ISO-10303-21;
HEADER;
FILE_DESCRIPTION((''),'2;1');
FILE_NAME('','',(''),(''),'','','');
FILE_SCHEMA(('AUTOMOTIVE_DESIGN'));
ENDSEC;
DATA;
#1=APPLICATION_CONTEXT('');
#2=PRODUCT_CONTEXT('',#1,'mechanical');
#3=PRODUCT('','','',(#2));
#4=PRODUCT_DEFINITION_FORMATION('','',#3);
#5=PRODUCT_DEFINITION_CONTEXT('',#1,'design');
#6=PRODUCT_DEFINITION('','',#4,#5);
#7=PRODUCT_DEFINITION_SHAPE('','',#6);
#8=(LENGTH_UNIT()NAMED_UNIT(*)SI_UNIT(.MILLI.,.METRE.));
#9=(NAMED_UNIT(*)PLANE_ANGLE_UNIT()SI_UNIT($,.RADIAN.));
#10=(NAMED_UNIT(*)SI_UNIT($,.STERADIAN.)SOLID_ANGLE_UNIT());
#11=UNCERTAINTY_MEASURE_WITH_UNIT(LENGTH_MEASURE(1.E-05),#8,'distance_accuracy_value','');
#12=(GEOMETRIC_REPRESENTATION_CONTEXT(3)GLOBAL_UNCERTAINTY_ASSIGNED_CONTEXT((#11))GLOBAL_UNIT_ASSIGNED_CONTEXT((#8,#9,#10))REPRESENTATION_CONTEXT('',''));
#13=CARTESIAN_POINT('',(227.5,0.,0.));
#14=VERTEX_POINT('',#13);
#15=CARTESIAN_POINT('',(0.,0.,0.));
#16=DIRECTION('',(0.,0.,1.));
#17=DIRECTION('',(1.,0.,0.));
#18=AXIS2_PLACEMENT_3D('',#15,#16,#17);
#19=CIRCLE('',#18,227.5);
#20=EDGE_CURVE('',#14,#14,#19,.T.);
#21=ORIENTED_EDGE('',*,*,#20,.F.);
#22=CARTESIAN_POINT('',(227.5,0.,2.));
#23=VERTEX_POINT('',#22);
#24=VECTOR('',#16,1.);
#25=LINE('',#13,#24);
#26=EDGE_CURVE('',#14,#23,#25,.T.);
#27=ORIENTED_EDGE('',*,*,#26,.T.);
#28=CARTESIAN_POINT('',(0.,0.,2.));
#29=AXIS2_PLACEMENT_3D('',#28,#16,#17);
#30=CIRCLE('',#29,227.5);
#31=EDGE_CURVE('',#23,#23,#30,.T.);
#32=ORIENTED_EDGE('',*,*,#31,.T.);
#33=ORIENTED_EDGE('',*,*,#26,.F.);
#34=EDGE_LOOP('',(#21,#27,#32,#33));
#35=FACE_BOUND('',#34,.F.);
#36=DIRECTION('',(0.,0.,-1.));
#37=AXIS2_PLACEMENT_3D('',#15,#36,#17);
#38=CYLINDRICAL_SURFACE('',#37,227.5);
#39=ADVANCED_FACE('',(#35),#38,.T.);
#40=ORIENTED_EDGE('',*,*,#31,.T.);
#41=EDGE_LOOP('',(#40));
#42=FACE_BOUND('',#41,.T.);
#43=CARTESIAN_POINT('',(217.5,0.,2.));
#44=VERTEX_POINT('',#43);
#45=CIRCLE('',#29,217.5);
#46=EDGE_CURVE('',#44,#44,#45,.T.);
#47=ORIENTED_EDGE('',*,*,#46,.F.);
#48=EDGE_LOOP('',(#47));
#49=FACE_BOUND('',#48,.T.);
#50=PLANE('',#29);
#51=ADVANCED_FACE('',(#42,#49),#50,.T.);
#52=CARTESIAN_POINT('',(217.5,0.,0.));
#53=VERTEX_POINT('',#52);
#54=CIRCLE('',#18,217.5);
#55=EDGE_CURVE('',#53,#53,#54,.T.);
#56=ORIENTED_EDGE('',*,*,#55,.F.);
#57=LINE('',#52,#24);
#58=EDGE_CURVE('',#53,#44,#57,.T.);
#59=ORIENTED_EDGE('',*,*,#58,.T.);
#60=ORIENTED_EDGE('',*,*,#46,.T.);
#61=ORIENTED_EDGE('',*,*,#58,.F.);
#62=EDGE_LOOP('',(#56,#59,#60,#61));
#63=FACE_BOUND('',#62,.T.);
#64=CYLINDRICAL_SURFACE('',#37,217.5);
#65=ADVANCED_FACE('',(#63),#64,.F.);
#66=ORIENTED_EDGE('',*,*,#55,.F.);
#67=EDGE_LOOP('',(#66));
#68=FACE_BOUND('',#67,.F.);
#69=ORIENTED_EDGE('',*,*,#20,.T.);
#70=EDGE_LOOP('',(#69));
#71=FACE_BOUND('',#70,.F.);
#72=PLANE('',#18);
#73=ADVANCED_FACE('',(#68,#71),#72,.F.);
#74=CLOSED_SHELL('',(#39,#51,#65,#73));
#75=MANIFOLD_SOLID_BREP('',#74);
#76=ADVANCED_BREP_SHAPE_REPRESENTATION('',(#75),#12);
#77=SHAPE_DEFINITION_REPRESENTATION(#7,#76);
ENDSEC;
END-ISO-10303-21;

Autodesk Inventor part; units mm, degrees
ref_plane "YZ Plane" through (0, 0, 0) normal (1, 0, 0) x (0, 1, 0)
ref_plane "XZ Plane" through (0, 0, 0) normal (0, 1, 0) x (-1, 0, 0)
ref_plane "XY Plane" through (0, 0, 0) normal (0, 0, 1) x (1, 0, 0)
sketch "Эскиз1" plane through (0, 0, 0) normal (0, 0, 1) x (1, 0, 0)
  circle A0 centre (0, 0) radius 227.5
  circle A1 centre (0, 0) radius 217.5
  dimension "d0" = 455
  dimension "d1" = 435
extrude "Выдавливание1" add sketch "Эскиз1" along normal blind 2
properties part number "Уплотнение фонарь_CPY" material "Алюминий 6061"
